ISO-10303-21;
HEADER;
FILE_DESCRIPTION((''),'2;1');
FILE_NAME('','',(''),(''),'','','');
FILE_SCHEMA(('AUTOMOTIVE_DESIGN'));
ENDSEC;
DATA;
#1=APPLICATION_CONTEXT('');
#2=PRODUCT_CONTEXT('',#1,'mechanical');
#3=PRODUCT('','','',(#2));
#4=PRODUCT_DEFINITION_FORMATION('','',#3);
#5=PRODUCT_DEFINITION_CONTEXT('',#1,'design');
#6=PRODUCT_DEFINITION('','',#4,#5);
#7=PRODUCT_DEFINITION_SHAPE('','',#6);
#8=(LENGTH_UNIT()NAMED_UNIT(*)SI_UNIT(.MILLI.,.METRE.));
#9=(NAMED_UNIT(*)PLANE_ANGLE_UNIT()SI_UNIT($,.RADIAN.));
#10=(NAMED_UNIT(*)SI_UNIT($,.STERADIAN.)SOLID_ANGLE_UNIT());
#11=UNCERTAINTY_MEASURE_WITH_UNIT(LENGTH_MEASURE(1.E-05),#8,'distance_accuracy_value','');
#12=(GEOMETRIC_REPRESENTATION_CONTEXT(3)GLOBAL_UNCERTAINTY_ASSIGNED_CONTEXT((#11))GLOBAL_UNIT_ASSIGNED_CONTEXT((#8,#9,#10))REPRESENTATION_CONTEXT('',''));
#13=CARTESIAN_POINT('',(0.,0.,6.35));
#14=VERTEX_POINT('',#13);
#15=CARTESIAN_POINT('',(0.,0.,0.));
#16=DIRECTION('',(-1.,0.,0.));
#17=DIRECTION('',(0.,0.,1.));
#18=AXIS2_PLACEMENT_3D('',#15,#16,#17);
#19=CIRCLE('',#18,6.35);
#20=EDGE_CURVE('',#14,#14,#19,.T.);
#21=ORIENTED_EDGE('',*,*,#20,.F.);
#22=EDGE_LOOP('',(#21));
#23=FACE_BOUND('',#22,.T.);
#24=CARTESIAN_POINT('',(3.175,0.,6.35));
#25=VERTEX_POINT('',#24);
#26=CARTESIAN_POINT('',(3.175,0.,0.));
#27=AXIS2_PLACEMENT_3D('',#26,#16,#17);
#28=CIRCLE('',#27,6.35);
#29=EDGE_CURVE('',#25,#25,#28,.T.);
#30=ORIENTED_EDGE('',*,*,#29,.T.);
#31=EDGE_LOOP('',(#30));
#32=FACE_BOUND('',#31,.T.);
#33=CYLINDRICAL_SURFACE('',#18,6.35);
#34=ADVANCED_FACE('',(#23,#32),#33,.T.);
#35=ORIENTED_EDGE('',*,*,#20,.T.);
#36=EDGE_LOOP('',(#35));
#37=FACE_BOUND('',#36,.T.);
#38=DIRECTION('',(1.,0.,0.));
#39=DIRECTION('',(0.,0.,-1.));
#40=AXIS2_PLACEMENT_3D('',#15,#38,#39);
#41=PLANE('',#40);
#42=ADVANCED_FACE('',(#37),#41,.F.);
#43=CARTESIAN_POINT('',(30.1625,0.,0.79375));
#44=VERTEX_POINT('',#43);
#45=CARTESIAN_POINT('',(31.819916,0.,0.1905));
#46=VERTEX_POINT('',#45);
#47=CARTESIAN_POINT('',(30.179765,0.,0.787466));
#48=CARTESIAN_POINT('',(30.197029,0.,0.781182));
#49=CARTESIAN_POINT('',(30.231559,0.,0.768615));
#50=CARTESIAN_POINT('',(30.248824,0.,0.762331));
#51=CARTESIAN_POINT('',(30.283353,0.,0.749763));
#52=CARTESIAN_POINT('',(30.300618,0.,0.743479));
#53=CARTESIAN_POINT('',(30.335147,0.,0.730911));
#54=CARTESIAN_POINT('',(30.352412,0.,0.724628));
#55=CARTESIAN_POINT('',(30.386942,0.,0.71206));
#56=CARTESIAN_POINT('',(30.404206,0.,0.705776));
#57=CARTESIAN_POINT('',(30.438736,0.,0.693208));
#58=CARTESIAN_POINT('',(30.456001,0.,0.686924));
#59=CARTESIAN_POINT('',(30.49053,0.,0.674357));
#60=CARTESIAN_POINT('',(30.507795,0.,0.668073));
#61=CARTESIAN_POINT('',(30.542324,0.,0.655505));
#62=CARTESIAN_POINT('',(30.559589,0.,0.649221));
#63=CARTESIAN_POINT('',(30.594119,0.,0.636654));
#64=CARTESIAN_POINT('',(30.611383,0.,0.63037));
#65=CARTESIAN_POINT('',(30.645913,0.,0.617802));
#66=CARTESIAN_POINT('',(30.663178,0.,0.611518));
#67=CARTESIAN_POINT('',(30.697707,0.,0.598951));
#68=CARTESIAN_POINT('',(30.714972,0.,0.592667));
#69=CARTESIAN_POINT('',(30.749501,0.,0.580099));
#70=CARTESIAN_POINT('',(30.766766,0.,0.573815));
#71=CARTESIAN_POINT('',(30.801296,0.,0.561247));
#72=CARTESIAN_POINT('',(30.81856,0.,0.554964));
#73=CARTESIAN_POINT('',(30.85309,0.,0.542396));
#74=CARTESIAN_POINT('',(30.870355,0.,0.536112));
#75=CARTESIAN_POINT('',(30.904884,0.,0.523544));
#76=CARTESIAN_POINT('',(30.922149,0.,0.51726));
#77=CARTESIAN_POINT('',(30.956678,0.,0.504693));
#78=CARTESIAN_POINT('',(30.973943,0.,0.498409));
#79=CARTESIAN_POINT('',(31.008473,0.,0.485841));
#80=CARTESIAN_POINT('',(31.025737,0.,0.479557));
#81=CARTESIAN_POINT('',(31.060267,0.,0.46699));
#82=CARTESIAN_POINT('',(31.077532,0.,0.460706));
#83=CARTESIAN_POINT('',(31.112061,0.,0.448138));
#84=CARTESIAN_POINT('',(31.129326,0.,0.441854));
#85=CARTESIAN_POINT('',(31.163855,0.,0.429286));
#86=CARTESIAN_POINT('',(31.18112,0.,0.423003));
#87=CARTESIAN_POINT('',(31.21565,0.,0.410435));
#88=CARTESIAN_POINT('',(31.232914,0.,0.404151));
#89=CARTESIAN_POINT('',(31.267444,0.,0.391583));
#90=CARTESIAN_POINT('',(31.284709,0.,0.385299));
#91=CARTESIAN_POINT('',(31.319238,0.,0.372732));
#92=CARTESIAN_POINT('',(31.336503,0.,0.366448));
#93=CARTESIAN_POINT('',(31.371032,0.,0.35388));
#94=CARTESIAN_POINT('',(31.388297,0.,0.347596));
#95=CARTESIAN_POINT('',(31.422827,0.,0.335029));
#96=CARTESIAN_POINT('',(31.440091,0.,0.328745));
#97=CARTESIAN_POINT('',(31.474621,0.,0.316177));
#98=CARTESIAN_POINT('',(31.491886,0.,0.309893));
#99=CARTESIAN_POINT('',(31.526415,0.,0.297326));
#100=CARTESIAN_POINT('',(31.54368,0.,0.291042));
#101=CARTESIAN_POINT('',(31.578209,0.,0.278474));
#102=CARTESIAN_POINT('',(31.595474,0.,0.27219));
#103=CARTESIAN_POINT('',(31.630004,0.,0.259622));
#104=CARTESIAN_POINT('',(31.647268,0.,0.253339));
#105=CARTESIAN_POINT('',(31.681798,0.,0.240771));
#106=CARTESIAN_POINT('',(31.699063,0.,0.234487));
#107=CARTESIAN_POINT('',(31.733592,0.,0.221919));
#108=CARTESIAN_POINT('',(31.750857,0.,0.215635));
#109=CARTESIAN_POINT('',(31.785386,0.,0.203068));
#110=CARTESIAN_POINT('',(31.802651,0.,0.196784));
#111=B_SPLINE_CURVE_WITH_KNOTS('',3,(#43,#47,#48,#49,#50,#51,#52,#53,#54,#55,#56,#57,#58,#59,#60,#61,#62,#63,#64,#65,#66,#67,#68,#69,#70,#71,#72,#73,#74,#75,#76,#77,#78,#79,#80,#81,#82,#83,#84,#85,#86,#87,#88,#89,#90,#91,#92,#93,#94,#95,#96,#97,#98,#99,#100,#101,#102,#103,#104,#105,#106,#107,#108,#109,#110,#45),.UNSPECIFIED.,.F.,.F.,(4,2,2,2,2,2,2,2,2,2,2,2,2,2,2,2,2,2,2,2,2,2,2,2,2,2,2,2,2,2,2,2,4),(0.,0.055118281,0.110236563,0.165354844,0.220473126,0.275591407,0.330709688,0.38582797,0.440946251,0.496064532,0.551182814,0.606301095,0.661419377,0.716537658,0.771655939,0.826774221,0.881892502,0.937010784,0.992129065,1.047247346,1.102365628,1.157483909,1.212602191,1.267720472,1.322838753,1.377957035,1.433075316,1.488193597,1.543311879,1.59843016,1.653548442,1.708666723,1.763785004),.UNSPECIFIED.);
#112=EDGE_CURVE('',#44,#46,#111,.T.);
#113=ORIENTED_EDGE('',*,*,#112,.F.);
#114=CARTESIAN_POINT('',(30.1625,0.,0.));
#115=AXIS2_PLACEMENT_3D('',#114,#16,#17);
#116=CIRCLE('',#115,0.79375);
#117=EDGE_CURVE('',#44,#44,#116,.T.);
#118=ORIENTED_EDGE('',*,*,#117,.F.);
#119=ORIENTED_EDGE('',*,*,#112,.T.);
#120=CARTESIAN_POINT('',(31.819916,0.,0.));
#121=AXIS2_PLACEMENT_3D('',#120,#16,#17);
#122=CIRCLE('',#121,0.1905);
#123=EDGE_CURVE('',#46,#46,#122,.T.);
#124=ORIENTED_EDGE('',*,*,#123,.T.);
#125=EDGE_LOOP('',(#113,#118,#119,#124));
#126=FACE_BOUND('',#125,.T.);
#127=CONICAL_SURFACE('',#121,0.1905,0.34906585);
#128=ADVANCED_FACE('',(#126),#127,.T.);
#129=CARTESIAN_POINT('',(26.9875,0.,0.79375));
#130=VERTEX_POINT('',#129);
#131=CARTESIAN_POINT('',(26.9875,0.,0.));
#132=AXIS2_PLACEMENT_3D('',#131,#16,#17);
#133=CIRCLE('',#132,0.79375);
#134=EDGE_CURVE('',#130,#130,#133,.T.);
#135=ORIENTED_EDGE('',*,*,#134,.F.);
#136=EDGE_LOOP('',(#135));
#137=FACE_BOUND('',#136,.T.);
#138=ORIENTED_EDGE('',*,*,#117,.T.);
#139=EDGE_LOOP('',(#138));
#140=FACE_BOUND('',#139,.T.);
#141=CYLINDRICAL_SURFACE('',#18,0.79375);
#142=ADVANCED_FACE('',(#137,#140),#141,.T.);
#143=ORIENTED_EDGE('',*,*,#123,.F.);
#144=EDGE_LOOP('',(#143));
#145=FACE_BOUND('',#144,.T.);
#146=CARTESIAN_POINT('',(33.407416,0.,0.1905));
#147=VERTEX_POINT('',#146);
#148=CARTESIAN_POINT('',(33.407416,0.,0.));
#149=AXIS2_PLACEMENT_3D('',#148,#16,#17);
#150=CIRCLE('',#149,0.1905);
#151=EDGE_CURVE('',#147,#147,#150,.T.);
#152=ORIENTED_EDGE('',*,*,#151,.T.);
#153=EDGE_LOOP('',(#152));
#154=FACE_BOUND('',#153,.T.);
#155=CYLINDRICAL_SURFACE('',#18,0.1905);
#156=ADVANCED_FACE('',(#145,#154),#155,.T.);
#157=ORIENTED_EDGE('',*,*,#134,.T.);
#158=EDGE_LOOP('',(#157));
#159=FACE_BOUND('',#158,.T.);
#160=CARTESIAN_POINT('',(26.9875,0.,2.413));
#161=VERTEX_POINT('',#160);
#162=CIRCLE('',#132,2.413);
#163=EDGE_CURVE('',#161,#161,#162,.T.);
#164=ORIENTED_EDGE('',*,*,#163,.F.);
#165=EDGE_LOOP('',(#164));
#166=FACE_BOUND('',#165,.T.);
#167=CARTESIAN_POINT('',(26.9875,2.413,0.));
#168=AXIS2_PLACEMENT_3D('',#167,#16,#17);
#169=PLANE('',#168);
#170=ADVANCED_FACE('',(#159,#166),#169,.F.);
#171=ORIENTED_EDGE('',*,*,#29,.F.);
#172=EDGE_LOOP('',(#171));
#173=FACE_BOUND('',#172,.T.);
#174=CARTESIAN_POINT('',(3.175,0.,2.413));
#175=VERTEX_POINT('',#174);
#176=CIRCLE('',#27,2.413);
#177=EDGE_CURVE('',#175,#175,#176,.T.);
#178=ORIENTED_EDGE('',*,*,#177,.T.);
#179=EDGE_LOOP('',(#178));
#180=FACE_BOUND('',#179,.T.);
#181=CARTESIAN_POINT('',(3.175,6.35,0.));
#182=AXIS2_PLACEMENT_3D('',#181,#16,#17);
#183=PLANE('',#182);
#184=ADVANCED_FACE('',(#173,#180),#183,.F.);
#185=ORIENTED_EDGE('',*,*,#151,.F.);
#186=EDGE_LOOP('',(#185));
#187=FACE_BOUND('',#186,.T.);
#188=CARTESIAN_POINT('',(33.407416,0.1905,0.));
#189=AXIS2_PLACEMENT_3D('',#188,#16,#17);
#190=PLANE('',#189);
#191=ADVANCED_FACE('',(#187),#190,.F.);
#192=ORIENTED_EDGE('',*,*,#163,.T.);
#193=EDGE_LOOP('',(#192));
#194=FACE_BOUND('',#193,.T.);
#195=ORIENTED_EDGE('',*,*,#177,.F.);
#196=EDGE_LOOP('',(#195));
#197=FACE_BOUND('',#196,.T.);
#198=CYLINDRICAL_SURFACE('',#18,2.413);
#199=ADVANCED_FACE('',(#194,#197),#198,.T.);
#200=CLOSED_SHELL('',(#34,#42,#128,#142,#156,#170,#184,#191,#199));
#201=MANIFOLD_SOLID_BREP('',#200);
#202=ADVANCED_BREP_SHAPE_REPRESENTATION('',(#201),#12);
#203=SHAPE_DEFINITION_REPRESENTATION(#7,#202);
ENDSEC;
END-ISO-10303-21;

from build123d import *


with BuildPart() as part:
    # Sketch1 → Revolve1 (revolve)
    with BuildSketch(Plane.XY, mode=Mode.PRIVATE) as revolve1_sk:
        Polygon((0, 0), (0, 6.35), (3.175, 6.35), (3.175, 2.413), (26.9875, 2.413), (26.9875, 0.79375), (30.1625, 0.79375), (31.819915753, 0.1905), (33.407415753, 0.1905), (33.407415753, 0), align=None)
    revolve(revolve1_sk.sketch.rotate(Axis((0, 0, 0), (1, 0, 0)), 90), axis=Axis((0, 0, 0), (1, 0, 0)))


solid = part.part
